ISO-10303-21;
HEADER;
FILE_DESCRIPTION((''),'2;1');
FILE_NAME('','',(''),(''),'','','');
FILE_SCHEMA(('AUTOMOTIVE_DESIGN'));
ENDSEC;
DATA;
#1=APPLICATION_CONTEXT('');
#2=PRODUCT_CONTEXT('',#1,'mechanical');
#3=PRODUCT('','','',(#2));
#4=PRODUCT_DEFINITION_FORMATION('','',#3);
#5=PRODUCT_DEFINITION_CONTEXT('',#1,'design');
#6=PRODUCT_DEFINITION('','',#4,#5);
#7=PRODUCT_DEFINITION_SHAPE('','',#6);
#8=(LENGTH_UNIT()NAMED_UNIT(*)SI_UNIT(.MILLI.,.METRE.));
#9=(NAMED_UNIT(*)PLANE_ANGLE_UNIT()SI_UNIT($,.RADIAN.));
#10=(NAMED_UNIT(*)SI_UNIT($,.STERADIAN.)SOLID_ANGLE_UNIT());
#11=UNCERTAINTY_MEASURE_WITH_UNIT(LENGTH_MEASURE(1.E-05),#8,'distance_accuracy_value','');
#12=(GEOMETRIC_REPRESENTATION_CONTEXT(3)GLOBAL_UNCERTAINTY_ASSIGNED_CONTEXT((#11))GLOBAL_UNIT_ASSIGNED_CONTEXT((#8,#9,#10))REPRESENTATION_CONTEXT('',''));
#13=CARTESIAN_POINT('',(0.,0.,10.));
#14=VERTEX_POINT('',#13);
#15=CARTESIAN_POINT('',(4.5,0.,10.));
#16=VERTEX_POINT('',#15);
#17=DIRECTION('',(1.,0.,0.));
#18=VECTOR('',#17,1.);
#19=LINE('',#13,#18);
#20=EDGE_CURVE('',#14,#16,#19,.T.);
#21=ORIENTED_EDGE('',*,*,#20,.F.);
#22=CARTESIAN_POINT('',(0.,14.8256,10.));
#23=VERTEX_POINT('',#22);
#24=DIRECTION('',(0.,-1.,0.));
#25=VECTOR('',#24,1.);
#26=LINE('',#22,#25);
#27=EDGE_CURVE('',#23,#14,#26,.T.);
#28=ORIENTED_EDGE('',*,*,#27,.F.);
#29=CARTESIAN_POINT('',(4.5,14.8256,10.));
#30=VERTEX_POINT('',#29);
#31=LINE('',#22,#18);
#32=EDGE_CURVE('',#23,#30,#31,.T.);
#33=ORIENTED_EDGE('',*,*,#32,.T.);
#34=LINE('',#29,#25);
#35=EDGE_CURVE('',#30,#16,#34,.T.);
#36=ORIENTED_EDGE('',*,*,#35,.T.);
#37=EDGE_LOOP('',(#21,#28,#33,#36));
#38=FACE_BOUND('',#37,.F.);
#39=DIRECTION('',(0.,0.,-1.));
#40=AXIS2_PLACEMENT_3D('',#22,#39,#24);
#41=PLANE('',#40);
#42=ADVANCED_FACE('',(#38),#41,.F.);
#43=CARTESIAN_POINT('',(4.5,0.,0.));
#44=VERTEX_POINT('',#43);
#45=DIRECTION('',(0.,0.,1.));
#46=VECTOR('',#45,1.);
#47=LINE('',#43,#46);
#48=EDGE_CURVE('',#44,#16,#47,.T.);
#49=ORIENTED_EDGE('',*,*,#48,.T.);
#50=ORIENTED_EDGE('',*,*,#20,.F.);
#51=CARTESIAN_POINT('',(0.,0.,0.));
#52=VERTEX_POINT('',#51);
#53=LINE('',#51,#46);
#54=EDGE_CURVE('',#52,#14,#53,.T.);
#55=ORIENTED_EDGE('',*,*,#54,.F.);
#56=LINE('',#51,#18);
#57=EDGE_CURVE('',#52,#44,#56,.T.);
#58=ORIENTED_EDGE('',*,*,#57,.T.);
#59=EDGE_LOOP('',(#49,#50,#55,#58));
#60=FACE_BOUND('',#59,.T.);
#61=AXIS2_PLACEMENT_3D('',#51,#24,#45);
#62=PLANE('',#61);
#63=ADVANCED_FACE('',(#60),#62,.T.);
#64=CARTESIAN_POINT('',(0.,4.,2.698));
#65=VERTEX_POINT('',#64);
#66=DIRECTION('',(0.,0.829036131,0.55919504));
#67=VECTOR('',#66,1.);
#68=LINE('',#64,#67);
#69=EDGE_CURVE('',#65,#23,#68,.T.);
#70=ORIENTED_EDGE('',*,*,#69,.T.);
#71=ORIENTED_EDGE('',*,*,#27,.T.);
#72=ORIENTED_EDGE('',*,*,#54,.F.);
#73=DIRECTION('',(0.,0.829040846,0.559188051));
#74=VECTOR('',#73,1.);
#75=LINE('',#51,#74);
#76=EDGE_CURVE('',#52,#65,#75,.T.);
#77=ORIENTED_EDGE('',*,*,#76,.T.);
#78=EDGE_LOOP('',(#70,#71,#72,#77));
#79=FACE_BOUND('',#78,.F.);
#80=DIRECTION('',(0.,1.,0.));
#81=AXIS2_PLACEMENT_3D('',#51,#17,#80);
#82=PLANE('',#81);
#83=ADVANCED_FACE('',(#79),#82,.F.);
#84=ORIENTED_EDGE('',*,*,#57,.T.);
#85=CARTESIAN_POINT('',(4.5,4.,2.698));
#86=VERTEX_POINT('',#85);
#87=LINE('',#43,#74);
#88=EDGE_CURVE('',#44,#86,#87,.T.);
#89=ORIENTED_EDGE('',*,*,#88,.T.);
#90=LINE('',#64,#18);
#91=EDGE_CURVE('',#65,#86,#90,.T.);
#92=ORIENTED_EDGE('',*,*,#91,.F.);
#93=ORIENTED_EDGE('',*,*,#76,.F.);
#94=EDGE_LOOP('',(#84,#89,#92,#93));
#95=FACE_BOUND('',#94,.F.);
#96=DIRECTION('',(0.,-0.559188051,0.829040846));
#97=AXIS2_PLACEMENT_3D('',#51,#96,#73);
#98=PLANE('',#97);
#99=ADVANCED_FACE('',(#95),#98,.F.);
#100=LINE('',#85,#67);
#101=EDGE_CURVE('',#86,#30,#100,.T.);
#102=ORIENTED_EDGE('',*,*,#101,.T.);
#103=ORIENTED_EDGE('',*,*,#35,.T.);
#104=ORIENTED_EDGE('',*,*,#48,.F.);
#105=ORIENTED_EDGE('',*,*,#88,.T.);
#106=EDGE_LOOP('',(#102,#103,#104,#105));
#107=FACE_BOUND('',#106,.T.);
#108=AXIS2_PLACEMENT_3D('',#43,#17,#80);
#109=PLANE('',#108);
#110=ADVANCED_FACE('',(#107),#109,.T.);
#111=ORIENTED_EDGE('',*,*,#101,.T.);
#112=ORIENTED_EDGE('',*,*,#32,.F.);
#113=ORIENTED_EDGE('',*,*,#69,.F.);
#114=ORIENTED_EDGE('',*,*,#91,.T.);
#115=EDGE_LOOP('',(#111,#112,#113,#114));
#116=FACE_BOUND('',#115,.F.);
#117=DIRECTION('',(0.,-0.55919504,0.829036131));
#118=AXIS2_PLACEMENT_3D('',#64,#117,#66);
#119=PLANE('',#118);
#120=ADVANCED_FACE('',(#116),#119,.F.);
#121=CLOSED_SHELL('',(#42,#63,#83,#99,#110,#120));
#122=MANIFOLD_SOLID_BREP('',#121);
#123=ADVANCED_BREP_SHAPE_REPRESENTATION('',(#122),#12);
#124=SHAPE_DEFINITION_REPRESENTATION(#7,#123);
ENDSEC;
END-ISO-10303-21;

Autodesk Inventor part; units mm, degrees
ref_plane "YZ Plane" through (0, 0, 0) normal (1, 0, 0) x (0, 1, 0)
ref_plane "XZ Plane" through (0, 0, 0) normal (0, 1, 0) x (-1, 0, 0)
ref_plane "XY Plane" through (0, 0, 0) normal (0, 0, 1) x (1, 0, 0)
sketch "Эскиз1" plane through (0, 0, 0) normal (1, 0, 0) x (0, 1, 0)
  line L0 (0, 0) -> (0, 10)
  line L1 (0, 0) -> (4, 2.698)
  line L2 (14.8256, 10) -> (0, 10)
  line L3 (4, 2.698) -> (14.8256, 10)
extrude "Выдавливание1" add sketch "Эскиз1" along normal blind 4.5
equation "\"Радиус_гибки\" = Толщина"
equation "\"Ширина_просечки\" = Толщина"
equation "\"Глубина_просечки\" = 0.5 * Толщина"
equation "\"Размер_просечки\" = 4 * Толщина"
equation "\"Мин_остаток\" = 2 * Толщина"
equation "\"Радиус_перехода\" = Радиус_гибки"
equation "\"Радиус_Якоби\" = Радиус_гибки"
equation "\"Размер_зазора\" = Толщина"
equation "\"Толщина\" = 0.5"
properties part number "Детали"
